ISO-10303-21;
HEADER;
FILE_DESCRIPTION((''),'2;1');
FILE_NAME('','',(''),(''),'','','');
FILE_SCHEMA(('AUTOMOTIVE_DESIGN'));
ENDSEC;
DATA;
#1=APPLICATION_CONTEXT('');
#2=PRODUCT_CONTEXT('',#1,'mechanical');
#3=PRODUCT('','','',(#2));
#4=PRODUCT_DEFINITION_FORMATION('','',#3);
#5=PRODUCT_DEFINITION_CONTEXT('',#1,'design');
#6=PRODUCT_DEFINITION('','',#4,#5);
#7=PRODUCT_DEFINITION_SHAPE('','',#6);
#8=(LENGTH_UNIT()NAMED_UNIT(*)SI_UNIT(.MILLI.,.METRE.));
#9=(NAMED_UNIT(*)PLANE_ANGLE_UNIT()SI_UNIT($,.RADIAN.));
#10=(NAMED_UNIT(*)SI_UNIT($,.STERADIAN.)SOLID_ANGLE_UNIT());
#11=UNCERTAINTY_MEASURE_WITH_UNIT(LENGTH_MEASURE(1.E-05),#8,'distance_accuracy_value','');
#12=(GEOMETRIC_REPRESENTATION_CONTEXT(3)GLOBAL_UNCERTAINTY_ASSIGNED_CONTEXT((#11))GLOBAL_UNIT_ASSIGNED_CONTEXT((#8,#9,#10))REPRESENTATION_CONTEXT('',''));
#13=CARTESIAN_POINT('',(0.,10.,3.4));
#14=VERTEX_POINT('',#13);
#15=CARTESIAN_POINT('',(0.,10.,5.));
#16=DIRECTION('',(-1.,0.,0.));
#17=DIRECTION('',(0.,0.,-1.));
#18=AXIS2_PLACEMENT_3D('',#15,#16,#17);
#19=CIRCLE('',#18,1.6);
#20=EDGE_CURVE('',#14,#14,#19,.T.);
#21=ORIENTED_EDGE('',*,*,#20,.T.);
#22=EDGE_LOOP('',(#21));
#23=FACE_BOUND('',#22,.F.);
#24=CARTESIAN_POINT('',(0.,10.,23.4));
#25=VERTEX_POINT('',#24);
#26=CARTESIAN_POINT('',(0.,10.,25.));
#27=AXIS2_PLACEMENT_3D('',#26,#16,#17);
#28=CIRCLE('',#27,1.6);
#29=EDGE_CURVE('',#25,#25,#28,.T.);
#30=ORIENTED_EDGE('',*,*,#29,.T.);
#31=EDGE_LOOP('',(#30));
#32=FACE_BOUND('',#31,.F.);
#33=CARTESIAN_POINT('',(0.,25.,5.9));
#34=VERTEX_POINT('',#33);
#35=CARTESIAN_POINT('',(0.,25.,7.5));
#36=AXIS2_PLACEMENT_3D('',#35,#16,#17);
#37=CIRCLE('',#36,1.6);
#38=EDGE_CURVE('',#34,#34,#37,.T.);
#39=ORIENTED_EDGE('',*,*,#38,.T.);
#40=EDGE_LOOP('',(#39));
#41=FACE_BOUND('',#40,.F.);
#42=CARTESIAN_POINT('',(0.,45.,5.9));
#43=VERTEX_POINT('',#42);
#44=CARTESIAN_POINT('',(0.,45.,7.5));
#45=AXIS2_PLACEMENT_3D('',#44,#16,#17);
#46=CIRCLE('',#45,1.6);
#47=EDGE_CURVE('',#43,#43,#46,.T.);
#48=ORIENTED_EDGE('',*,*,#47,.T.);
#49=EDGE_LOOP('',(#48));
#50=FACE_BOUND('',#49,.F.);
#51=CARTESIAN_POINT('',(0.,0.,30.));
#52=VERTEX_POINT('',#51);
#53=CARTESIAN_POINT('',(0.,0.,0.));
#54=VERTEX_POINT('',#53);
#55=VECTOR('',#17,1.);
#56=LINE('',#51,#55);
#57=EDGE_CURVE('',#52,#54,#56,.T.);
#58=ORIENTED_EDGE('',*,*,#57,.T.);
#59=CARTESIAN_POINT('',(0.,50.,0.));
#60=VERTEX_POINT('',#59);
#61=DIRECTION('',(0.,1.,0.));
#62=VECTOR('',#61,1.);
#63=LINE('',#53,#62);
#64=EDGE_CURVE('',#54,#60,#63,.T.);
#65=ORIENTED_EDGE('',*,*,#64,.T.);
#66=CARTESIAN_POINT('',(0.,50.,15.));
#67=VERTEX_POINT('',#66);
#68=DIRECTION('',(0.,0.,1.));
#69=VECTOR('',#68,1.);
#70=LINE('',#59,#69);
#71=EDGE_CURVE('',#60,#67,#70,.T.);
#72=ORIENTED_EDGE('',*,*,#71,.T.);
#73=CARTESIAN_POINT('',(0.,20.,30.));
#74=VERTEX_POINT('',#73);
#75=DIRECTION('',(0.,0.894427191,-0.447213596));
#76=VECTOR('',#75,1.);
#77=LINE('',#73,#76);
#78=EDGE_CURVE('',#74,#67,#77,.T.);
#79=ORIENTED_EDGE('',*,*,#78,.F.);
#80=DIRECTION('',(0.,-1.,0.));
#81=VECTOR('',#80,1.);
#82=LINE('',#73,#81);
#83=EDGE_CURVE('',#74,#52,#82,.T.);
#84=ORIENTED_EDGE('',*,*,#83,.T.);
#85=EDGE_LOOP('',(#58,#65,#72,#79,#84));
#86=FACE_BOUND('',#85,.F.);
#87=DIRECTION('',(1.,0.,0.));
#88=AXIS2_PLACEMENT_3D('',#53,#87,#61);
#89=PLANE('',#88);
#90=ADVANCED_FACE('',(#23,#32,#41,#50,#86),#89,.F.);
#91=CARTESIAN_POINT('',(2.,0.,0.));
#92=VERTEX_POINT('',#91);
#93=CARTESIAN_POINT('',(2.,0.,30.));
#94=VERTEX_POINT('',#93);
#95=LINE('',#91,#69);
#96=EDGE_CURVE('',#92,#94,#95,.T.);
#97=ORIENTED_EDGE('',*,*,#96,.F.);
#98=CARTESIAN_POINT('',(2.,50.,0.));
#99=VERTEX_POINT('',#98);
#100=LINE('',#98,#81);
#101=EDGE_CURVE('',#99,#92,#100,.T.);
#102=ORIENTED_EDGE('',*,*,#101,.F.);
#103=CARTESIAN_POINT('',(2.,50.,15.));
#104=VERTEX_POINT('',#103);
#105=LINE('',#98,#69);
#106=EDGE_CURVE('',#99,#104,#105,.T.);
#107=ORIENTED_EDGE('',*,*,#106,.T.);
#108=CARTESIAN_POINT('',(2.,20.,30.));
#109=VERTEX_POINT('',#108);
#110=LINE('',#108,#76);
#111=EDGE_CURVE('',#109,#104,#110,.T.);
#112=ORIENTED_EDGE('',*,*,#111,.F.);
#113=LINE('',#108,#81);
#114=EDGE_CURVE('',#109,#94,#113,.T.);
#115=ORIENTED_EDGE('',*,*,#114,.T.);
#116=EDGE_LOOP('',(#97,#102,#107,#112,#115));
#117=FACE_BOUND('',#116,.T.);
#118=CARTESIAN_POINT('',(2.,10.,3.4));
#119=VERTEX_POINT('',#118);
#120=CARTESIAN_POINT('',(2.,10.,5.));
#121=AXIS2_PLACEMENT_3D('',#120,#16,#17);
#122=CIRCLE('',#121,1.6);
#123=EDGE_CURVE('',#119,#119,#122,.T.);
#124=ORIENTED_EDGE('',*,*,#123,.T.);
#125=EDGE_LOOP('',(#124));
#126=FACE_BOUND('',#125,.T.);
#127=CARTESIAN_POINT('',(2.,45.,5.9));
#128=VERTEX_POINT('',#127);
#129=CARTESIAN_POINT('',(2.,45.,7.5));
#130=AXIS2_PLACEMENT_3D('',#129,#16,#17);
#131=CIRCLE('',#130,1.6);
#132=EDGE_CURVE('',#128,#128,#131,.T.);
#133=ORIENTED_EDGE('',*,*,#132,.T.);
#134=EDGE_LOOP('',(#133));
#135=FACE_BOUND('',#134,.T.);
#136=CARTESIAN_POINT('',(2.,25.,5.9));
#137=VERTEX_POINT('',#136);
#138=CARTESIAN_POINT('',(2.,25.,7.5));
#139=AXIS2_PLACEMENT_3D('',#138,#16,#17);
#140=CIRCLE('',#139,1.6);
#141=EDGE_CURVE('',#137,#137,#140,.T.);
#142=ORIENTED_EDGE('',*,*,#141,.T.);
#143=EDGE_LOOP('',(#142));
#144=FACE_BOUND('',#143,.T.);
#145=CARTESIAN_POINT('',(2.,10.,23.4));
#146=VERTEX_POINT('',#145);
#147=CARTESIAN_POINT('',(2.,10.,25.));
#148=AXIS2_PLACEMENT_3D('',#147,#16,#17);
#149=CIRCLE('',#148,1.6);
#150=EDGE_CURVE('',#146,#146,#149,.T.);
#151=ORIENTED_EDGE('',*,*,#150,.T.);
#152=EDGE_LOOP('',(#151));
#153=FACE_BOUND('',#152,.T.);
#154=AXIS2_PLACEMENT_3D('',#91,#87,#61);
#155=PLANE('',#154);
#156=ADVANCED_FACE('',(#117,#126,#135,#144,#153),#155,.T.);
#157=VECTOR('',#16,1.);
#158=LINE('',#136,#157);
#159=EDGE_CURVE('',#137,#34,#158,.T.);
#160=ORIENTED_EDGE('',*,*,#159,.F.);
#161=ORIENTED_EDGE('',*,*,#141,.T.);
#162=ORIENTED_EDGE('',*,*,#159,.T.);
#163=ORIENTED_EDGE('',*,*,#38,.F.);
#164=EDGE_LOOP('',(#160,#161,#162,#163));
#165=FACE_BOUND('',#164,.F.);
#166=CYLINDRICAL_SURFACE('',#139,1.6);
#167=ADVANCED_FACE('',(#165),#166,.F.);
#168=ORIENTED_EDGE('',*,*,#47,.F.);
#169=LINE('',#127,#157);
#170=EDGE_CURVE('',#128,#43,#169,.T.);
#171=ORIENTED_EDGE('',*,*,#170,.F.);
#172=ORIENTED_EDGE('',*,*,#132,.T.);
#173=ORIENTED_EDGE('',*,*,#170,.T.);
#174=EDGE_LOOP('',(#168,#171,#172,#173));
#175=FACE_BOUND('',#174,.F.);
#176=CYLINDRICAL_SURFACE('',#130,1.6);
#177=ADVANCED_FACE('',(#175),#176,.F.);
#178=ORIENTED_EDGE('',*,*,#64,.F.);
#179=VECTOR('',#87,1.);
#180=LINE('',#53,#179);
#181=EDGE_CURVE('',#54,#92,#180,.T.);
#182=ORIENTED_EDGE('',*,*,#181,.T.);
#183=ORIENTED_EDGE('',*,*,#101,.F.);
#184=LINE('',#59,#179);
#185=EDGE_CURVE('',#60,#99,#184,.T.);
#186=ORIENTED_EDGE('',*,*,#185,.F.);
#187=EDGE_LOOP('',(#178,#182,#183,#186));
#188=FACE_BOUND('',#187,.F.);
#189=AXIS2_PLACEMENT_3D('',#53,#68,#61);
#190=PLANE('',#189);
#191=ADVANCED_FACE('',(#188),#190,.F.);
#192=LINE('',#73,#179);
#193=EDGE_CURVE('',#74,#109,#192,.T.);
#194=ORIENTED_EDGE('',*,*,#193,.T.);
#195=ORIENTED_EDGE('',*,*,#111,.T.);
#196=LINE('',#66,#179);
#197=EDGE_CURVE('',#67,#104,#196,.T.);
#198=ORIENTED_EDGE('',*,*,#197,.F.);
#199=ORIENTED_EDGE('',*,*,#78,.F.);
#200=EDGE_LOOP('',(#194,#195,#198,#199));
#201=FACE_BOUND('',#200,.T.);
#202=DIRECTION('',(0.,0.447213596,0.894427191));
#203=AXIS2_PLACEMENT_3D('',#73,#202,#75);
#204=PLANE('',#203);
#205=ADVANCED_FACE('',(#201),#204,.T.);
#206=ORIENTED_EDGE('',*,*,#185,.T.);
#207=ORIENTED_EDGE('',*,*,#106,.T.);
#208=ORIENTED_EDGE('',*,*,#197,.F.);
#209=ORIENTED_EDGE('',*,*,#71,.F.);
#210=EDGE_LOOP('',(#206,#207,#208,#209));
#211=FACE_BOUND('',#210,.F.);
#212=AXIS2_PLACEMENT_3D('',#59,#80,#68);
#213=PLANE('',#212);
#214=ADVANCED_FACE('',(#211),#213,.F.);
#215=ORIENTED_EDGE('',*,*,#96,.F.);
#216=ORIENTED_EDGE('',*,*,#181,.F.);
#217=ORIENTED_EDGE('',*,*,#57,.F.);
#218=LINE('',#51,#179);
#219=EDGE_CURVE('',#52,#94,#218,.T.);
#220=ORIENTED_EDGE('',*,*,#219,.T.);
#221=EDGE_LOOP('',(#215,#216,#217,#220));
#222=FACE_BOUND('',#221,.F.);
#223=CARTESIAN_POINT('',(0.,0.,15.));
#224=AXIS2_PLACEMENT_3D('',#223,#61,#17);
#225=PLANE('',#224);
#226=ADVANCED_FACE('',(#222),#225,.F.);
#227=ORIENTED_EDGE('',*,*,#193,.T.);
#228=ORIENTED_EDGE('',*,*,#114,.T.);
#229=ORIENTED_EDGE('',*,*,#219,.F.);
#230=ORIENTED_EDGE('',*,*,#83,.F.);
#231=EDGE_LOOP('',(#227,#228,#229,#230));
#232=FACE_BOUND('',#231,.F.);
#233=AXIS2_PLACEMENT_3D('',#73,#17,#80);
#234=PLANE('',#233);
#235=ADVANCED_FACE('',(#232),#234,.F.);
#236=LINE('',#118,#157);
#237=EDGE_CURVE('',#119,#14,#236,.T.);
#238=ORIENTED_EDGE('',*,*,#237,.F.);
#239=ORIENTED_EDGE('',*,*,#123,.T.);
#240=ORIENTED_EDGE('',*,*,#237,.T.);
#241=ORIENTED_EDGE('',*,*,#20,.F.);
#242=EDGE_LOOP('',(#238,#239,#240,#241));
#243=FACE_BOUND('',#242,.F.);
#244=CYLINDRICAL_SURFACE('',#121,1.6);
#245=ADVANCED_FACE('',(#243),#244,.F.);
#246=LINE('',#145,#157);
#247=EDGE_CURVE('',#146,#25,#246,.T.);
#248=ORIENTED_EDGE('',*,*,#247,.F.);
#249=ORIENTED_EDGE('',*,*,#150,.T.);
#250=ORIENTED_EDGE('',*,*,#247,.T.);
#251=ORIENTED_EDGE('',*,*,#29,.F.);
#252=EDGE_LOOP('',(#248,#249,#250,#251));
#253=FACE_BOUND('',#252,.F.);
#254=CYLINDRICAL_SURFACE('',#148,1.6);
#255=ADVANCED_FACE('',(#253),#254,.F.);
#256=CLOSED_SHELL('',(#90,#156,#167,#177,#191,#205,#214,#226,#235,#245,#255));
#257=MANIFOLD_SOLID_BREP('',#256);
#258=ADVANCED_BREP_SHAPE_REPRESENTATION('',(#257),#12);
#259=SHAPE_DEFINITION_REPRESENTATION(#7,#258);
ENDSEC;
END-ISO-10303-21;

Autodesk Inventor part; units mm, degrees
ref_plane "YZ Plane" through (0, 0, 0) normal (1, 0, 0) x (0, 1, 0)
ref_plane "XZ Plane" through (0, 0, 0) normal (0, 1, 0) x (-1, 0, 0)
ref_plane "XY Plane" through (0, 0, 0) normal (0, 0, 1) x (1, 0, 0)
sketch "スケッチ1" plane through (0, 0, 0) normal (1, 0, 0) x (0, 1, 0)
  line L0 (0, 0) -> (50, 0)
  line L1 (50, 0) -> (50, 15)
  line L2 (50, 15) -> (0, 15) construction
  line L3 (0, 15) -> (0, 0)
  line L4 (0, 0) -> (20, 0)
  line L5 (20, 0) -> (20, 30) construction
  line L6 (20, 30) -> (0, 30)
  line L7 (0, 30) -> (0, 0)
  line L8 (20, 30) -> (50, 15)
  dimension "d0" = 15
  dimension "d1" = 20
  dimension "d2" = 30
  dimension "d3" = 30
extrude "押し出し1" add sketch "スケッチ1" along normal blind 2
sketch "スケッチ2" plane through (2, 0, 0) normal (1, 0, 0) x (0, 0, -1)
  line L0 (-30, 20) -> (-30, 0) projected
  line L1 (-30, 10) -> (0, 10) construction
  line L2 (0, 0) -> (0, 50) projected
  line L3 (0, 50) -> (-15, 50) projected
  line L4 (-7.5, 50) -> (-7.5, 0) construction
  line L5 (-30, 0) -> (0, 0) projected
  point P0 (-25, 10)
  point P1 (-5, 10)
  point P2 (-7.5, 25)
  point P3 (-7.5, 45)
  dimension "d6" = 20
  dimension "d7" = 5
  dimension "d8" = 20
  dimension "d9" = 5
hole "穴1" at (2, 10, 25) at (2, 10, 5) at (2, 25, 7.5) at (2, 45, 7.5) direction (-1, 0, 0) diameter 3.2 end through all
properties part number "FrameJoint2015" material "アルミニウム 6061"
